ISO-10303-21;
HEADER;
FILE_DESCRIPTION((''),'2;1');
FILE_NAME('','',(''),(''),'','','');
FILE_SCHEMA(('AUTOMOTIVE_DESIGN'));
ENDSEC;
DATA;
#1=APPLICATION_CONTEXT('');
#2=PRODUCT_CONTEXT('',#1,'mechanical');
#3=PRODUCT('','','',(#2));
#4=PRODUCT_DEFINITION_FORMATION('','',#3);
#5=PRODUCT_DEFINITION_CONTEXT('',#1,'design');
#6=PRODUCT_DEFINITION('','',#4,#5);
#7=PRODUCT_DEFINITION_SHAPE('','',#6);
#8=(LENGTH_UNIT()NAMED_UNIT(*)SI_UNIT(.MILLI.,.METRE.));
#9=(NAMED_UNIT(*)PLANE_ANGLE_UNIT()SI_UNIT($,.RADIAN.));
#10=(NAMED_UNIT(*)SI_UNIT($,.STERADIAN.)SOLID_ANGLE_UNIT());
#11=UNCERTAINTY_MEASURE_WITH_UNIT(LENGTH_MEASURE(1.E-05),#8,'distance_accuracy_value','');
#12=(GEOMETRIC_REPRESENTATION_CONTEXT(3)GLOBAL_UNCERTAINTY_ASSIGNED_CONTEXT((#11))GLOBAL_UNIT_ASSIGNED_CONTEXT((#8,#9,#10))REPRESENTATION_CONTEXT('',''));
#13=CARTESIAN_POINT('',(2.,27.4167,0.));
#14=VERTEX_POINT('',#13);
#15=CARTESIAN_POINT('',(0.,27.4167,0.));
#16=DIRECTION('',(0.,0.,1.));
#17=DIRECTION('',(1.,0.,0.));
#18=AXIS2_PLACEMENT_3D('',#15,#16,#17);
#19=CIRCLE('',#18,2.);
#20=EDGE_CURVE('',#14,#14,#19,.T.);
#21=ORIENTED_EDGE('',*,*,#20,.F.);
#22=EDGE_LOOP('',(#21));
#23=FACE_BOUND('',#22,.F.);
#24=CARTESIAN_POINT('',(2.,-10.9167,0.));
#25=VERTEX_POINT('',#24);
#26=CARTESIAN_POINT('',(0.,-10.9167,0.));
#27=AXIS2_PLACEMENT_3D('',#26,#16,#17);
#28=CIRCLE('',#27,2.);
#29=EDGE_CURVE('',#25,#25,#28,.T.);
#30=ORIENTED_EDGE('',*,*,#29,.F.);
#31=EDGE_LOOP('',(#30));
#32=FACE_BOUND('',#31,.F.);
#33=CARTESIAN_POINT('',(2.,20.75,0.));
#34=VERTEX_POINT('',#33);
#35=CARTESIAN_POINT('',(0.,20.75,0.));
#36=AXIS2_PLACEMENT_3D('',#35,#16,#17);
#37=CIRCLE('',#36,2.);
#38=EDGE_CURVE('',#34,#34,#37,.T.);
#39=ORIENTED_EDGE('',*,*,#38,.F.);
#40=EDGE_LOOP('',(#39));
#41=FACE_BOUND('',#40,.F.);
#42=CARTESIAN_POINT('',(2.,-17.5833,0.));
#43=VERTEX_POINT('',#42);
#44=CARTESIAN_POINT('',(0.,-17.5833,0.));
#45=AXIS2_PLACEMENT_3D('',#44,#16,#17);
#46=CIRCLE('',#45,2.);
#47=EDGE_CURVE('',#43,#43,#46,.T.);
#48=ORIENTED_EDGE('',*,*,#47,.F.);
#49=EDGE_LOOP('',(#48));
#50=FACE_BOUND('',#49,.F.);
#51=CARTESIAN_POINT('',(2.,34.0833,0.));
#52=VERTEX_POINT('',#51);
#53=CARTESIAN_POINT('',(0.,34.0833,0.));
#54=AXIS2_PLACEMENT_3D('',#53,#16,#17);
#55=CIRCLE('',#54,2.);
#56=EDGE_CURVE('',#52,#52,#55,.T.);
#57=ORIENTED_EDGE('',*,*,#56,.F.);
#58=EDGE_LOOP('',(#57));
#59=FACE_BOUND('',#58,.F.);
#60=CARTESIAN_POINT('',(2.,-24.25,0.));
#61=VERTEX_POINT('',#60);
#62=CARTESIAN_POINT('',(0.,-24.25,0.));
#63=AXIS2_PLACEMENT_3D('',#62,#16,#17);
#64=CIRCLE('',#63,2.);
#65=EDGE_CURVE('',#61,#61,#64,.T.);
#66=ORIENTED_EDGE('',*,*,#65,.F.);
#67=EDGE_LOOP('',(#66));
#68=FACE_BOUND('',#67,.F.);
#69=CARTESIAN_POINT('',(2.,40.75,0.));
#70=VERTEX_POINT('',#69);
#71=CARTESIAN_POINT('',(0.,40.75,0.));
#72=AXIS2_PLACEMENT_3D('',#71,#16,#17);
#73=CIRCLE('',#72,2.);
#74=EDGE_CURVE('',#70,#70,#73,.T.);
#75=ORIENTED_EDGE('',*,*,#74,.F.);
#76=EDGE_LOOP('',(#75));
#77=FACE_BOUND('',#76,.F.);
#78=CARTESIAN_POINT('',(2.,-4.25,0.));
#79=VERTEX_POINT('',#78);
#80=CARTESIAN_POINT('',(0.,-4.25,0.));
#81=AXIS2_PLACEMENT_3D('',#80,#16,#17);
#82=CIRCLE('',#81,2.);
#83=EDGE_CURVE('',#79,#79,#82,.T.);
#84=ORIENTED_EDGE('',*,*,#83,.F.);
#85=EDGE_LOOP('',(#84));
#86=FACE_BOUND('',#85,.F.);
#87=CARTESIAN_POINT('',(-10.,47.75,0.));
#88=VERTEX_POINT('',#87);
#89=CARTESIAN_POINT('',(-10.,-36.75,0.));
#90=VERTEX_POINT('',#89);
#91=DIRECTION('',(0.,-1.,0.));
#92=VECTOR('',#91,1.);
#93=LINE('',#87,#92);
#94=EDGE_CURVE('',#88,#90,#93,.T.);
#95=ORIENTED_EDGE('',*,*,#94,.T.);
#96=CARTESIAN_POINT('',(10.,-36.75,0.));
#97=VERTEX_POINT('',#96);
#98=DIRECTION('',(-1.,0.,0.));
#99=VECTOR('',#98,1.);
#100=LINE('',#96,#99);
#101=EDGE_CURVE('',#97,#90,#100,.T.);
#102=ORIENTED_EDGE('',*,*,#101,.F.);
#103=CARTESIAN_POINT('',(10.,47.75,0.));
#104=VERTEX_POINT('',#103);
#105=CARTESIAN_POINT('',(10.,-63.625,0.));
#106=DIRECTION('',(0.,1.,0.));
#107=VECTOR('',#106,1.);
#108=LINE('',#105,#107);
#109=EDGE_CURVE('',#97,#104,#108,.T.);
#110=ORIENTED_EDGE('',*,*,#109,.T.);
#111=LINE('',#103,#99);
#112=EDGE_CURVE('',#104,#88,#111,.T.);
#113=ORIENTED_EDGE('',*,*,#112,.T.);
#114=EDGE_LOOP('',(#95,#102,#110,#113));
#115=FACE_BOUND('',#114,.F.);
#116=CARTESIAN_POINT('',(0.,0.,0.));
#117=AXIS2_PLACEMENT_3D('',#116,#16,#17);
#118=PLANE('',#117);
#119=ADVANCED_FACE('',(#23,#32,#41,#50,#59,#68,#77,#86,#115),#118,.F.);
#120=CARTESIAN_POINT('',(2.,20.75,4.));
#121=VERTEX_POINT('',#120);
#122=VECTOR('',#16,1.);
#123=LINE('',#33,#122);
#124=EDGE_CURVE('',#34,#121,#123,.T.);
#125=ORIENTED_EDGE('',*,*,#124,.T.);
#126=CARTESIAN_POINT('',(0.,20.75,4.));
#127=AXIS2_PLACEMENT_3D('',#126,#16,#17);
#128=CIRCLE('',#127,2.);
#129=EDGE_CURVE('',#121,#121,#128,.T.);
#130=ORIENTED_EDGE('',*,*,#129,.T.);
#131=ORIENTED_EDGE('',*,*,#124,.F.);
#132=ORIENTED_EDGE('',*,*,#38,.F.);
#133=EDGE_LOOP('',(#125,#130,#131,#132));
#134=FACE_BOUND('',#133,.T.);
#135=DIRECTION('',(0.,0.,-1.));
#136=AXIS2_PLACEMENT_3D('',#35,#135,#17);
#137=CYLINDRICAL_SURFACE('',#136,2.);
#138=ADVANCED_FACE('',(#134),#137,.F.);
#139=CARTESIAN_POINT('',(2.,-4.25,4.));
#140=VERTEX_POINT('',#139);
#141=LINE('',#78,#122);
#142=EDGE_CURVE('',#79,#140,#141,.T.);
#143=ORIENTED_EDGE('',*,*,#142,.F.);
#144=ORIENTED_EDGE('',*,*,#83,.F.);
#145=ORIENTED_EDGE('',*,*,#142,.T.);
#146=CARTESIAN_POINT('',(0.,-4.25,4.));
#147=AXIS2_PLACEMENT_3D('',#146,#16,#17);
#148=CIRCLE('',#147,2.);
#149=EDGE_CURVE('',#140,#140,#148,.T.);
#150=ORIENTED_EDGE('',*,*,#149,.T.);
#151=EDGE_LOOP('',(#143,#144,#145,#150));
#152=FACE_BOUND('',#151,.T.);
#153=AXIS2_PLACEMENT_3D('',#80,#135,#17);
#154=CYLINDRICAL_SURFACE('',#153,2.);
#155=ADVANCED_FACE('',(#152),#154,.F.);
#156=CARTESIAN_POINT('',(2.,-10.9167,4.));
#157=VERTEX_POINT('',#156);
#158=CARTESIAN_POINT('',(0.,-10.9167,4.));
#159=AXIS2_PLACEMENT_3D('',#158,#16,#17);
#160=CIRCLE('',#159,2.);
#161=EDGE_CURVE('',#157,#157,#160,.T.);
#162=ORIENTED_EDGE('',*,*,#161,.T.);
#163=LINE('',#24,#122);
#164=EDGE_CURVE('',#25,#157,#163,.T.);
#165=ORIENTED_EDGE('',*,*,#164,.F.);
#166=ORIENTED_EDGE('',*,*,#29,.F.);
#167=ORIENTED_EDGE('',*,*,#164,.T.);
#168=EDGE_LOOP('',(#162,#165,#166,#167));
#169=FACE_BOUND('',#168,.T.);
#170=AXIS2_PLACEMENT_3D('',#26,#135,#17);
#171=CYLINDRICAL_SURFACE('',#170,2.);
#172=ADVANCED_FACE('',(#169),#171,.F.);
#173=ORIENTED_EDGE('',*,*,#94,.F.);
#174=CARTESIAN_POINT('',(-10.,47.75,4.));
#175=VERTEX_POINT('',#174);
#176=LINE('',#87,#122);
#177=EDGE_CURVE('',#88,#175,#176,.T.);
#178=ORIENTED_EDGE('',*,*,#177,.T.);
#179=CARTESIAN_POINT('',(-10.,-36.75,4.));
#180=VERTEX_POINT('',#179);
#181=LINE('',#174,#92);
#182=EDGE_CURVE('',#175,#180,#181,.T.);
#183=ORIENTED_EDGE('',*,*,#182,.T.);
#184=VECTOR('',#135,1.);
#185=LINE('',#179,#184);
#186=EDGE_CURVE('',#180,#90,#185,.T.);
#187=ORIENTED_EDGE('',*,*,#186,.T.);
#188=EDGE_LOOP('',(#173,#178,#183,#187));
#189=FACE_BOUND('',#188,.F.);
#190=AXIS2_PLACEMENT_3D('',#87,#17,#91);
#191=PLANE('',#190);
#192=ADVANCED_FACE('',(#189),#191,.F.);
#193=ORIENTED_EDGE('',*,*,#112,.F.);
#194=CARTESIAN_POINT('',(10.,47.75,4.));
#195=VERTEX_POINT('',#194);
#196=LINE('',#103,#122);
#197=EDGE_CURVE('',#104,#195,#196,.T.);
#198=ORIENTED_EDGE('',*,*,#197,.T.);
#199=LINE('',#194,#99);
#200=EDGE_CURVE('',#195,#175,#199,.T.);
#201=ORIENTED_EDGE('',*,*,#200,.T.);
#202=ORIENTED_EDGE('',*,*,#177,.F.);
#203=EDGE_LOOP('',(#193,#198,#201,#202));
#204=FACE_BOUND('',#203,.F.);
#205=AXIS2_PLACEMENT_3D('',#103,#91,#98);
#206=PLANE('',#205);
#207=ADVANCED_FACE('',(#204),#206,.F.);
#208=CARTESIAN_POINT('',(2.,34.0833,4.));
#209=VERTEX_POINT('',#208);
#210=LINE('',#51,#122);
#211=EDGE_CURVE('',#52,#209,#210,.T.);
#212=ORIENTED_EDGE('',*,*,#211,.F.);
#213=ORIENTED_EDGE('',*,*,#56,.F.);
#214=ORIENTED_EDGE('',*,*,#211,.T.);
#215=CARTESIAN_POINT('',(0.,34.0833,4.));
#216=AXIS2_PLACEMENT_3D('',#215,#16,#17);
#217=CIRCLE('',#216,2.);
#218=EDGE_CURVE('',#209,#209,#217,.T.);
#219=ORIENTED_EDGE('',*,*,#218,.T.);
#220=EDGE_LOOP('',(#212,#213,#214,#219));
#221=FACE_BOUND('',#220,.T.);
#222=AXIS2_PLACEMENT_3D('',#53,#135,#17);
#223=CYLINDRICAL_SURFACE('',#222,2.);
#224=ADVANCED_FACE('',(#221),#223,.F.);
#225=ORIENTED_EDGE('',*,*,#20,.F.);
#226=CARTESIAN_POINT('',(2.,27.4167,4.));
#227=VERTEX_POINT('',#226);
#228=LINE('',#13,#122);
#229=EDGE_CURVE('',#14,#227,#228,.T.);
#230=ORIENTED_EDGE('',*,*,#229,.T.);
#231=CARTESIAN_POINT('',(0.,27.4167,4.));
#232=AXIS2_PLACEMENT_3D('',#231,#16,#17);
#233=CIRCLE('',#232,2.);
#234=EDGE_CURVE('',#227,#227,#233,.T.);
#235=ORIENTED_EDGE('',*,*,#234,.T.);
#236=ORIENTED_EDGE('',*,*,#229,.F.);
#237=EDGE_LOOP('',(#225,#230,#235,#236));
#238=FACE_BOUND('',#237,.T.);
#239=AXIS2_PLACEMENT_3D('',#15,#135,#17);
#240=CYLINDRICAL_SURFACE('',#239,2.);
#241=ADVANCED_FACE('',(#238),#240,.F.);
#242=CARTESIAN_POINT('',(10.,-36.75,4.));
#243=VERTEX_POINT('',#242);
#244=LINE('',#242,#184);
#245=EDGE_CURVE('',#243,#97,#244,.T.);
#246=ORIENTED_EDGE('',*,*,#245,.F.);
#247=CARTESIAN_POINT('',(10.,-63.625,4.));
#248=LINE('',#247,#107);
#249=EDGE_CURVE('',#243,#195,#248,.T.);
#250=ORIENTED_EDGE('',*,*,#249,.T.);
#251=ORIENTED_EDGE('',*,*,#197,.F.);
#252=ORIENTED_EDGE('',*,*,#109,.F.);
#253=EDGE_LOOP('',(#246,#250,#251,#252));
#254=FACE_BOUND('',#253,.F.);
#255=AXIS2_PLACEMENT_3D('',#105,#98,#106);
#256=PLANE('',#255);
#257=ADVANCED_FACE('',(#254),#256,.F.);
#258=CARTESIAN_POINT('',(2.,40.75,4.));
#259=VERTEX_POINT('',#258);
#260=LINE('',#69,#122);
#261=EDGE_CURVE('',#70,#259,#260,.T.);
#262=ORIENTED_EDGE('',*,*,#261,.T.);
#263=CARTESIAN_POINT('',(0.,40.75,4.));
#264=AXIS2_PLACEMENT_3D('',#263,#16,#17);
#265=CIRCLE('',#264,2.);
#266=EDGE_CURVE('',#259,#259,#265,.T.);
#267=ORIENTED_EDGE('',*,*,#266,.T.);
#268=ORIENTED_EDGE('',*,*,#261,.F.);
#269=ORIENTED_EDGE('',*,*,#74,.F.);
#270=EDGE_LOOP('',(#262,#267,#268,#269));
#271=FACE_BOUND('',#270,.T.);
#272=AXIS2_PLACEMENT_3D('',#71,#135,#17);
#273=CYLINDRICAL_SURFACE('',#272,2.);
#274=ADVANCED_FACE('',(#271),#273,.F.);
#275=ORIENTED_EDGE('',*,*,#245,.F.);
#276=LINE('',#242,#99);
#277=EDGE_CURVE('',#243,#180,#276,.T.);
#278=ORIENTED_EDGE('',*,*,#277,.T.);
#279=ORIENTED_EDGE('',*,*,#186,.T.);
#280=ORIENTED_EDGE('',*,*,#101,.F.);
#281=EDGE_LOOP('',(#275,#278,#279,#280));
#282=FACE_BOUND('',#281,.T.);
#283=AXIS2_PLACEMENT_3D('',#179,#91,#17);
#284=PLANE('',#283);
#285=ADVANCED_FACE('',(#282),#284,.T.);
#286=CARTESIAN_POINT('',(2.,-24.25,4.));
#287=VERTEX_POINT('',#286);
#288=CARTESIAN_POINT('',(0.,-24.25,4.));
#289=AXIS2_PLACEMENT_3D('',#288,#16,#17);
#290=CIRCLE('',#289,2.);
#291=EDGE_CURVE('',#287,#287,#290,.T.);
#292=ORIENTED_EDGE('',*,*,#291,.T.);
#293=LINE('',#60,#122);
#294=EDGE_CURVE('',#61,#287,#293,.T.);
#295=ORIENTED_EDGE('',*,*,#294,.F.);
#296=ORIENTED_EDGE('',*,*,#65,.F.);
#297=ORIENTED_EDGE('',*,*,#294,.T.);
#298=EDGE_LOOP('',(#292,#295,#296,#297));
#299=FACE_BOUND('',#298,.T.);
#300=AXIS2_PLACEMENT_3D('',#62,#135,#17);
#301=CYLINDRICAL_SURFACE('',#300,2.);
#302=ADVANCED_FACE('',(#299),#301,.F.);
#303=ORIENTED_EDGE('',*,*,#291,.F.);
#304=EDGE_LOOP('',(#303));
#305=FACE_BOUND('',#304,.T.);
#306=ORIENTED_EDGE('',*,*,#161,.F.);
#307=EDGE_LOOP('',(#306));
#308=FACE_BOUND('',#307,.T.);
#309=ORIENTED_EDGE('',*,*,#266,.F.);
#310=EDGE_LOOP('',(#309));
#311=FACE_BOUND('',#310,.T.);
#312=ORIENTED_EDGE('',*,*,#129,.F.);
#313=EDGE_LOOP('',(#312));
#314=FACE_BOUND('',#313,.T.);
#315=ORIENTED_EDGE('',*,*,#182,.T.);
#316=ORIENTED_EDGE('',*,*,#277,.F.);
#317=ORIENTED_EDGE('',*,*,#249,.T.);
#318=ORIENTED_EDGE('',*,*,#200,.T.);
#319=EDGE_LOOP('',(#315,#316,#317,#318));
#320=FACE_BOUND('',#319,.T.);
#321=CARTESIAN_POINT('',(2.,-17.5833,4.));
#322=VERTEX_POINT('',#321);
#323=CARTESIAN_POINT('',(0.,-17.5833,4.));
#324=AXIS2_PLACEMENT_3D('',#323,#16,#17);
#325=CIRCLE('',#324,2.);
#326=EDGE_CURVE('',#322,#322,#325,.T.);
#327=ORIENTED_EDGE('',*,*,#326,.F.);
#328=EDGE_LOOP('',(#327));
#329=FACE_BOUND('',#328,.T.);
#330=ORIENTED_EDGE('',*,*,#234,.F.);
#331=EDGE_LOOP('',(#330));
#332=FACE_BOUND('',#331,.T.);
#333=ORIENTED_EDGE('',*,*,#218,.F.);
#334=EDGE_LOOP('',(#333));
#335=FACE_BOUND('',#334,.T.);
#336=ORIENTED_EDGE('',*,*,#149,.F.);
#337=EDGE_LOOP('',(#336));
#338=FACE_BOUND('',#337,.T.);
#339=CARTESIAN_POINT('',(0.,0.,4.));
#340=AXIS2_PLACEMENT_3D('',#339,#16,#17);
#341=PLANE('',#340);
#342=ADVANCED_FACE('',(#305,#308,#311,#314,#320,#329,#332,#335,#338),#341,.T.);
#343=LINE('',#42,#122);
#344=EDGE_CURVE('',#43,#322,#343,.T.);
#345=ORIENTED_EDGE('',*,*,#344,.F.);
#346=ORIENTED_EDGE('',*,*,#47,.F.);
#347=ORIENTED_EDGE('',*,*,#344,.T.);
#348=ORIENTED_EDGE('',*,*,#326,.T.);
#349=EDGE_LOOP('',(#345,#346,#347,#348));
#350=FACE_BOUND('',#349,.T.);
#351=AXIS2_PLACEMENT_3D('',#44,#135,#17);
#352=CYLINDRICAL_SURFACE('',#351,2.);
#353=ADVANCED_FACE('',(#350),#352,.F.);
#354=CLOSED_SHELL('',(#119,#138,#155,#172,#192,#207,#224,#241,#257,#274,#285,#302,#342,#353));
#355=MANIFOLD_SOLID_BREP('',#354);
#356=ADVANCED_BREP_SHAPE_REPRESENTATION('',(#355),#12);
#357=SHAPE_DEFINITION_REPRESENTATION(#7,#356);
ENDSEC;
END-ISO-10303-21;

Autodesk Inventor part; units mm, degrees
ref_plane "YZ Plane" through (0, 0, 0) normal (1, 0, 0) x (0, 1, 0)
ref_plane "XZ Plane" through (0, 0, 0) normal (0, 1, 0) x (-1, 0, 0)
ref_plane "XY Plane" through (0, 0, 0) normal (0, 0, 1) x (1, 0, 0)
sketch "Sketch1" plane through (0, 0, 0) normal (0, 0, 1) x (1, 0, 0)
  circle A0 centre (0, -30.375) radius 0.875
  line L0 (10, -63.625) -> (10, 47.75)
  line L1 (10, 47.75) -> (-10, 47.75)
  line L2 (-10, 47.75) -> (-10, -63.625)
  line L3 (-10, -63.625) -> (10, -63.625)
  line L4 (6.125, -36.75) -> (6.125, -59.75)
  line L5 (6.125, -59.75) -> (-6.125, -59.75)
  line L6 (-6.125, -59.75) -> (-6.125, -36.75)
  line L7 (-6.125, -36.75) -> (6.125, -36.75)
  circle A1 centre (0, 40.75) radius 2
  circle A2 centre (0, -4.25) radius 2
  circle A3 centre (0, 20.75) radius 2
  circle A4 centre (0, -24.25) radius 2
  circle A5 centre (0, 34.0833) radius 2
  circle A6 centre (0, 27.4167) radius 2
  circle A7 centre (0, -10.9167) radius 2
  circle A8 centre (0, -17.5833) radius 2
  point P0 (0, 0)
  point P1 (0, 0)
extrude "Extrusion1" add sketch "Sketch1" along normal blind 4
sketch "Sketch2" plane through (0, 0, 4) normal (0, 0, 1) x (1, 0, 0)
  line L0 (6.125, -59.75) -> (-6.125, -59.75) projected
  line L1 (-6.125, -59.75) -> (-6.125, -36.75) projected
  line L2 (-6.125, -36.75) -> (6.125, -36.75) projected
  line L3 (6.125, -36.75) -> (6.125, -59.75) projected
  circle A0 centre (0, -17.5833) radius 2 projected
  circle A1 centre (0, -10.9167) radius 2 projected
  circle A2 centre (0, 27.4167) radius 2 projected
  circle A3 centre (0, 34.0833) radius 2 projected
  circle A4 centre (0, -24.25) radius 2 projected
  circle A5 centre (0, 20.75) radius 2 projected
  circle A6 centre (0, -4.25) radius 2 projected
  circle A7 centre (0, 40.75) radius 2 projected
  circle A8 centre (0, -30.375) radius 0.875 projected
  line L4 (10, -63.625) -> (10, 47.75) projected
  line L5 (10, 47.75) -> (-10, 47.75) projected
  line L6 (-10, 47.75) -> (-10, -63.625) projected
  line L7 (-10, -63.625) -> (10, -63.625) projected
  line L8 (-10, -36.75) -> (10, -36.75)
  point P0 (0, 0)
extrude "Extrusion2" cut sketch "Sketch2" against normal blind 4 contours L3 L8 L4 L7 L6 L1 L0
sketch "Sketch3" plane through (0, 0, 4) normal (0, 0, 1) x (1, 0, 0)
  line L0 (-10, -36.75) -> (10, -36.75) projected
  line L1 (10, -36.75) -> (10, 47.75) projected
  line L2 (10, 47.75) -> (-10, 47.75) projected
  line L3 (-10, 47.75) -> (-10, -36.75) projected
  circle A0 centre (0, -30.375) radius 0.875 projected
  circle A1 centre (0, 40.75) radius 2 projected
  circle A2 centre (0, -4.25) radius 2 projected
  circle A3 centre (0, 20.75) radius 2 projected
  circle A4 centre (0, -24.25) radius 2 projected
  circle A5 centre (0, 34.0833) radius 2 projected
  circle A6 centre (0, 27.4167) radius 2 projected
  circle A7 centre (0, -10.9167) radius 2 projected
  circle A8 centre (0, -17.5833) radius 2 projected
  point P0 (0, 0)
extrude "Extrusion3" add sketch "Sketch3" against normal blind 4 contours A0
sketch "Sketch4" plane through (0, 0, 4) normal (0, 0, 1) x (1, 0, 0)
  line L0 (-10, -36.75) -> (10, -36.75) projected
  line L1 (10, -36.75) -> (10, 47.75) projected
  line L2 (10, 47.75) -> (-10, 47.75) projected
  line L3 (-10, 47.75) -> (-10, -36.75) projected
  circle A0 centre (0, 40.75) radius 2 projected
  circle A1 centre (0, -4.25) radius 2 projected
  circle A2 centre (0, 20.75) radius 2 projected
  circle A3 centre (0, -24.25) radius 2 projected
  circle A4 centre (0, 34.0833) radius 2 projected
  circle A5 centre (0, 27.4167) radius 2 projected
  circle A6 centre (0, -10.9167) radius 2 projected
  circle A7 centre (0, -17.5833) radius 2 projected
  line L4 (-33.7924, 18.25) -> (39.8102, 18.25) construction
  point P0 (0, 0)
  dimension "d6" = 22.5
properties part number "BottomRearLeg"
